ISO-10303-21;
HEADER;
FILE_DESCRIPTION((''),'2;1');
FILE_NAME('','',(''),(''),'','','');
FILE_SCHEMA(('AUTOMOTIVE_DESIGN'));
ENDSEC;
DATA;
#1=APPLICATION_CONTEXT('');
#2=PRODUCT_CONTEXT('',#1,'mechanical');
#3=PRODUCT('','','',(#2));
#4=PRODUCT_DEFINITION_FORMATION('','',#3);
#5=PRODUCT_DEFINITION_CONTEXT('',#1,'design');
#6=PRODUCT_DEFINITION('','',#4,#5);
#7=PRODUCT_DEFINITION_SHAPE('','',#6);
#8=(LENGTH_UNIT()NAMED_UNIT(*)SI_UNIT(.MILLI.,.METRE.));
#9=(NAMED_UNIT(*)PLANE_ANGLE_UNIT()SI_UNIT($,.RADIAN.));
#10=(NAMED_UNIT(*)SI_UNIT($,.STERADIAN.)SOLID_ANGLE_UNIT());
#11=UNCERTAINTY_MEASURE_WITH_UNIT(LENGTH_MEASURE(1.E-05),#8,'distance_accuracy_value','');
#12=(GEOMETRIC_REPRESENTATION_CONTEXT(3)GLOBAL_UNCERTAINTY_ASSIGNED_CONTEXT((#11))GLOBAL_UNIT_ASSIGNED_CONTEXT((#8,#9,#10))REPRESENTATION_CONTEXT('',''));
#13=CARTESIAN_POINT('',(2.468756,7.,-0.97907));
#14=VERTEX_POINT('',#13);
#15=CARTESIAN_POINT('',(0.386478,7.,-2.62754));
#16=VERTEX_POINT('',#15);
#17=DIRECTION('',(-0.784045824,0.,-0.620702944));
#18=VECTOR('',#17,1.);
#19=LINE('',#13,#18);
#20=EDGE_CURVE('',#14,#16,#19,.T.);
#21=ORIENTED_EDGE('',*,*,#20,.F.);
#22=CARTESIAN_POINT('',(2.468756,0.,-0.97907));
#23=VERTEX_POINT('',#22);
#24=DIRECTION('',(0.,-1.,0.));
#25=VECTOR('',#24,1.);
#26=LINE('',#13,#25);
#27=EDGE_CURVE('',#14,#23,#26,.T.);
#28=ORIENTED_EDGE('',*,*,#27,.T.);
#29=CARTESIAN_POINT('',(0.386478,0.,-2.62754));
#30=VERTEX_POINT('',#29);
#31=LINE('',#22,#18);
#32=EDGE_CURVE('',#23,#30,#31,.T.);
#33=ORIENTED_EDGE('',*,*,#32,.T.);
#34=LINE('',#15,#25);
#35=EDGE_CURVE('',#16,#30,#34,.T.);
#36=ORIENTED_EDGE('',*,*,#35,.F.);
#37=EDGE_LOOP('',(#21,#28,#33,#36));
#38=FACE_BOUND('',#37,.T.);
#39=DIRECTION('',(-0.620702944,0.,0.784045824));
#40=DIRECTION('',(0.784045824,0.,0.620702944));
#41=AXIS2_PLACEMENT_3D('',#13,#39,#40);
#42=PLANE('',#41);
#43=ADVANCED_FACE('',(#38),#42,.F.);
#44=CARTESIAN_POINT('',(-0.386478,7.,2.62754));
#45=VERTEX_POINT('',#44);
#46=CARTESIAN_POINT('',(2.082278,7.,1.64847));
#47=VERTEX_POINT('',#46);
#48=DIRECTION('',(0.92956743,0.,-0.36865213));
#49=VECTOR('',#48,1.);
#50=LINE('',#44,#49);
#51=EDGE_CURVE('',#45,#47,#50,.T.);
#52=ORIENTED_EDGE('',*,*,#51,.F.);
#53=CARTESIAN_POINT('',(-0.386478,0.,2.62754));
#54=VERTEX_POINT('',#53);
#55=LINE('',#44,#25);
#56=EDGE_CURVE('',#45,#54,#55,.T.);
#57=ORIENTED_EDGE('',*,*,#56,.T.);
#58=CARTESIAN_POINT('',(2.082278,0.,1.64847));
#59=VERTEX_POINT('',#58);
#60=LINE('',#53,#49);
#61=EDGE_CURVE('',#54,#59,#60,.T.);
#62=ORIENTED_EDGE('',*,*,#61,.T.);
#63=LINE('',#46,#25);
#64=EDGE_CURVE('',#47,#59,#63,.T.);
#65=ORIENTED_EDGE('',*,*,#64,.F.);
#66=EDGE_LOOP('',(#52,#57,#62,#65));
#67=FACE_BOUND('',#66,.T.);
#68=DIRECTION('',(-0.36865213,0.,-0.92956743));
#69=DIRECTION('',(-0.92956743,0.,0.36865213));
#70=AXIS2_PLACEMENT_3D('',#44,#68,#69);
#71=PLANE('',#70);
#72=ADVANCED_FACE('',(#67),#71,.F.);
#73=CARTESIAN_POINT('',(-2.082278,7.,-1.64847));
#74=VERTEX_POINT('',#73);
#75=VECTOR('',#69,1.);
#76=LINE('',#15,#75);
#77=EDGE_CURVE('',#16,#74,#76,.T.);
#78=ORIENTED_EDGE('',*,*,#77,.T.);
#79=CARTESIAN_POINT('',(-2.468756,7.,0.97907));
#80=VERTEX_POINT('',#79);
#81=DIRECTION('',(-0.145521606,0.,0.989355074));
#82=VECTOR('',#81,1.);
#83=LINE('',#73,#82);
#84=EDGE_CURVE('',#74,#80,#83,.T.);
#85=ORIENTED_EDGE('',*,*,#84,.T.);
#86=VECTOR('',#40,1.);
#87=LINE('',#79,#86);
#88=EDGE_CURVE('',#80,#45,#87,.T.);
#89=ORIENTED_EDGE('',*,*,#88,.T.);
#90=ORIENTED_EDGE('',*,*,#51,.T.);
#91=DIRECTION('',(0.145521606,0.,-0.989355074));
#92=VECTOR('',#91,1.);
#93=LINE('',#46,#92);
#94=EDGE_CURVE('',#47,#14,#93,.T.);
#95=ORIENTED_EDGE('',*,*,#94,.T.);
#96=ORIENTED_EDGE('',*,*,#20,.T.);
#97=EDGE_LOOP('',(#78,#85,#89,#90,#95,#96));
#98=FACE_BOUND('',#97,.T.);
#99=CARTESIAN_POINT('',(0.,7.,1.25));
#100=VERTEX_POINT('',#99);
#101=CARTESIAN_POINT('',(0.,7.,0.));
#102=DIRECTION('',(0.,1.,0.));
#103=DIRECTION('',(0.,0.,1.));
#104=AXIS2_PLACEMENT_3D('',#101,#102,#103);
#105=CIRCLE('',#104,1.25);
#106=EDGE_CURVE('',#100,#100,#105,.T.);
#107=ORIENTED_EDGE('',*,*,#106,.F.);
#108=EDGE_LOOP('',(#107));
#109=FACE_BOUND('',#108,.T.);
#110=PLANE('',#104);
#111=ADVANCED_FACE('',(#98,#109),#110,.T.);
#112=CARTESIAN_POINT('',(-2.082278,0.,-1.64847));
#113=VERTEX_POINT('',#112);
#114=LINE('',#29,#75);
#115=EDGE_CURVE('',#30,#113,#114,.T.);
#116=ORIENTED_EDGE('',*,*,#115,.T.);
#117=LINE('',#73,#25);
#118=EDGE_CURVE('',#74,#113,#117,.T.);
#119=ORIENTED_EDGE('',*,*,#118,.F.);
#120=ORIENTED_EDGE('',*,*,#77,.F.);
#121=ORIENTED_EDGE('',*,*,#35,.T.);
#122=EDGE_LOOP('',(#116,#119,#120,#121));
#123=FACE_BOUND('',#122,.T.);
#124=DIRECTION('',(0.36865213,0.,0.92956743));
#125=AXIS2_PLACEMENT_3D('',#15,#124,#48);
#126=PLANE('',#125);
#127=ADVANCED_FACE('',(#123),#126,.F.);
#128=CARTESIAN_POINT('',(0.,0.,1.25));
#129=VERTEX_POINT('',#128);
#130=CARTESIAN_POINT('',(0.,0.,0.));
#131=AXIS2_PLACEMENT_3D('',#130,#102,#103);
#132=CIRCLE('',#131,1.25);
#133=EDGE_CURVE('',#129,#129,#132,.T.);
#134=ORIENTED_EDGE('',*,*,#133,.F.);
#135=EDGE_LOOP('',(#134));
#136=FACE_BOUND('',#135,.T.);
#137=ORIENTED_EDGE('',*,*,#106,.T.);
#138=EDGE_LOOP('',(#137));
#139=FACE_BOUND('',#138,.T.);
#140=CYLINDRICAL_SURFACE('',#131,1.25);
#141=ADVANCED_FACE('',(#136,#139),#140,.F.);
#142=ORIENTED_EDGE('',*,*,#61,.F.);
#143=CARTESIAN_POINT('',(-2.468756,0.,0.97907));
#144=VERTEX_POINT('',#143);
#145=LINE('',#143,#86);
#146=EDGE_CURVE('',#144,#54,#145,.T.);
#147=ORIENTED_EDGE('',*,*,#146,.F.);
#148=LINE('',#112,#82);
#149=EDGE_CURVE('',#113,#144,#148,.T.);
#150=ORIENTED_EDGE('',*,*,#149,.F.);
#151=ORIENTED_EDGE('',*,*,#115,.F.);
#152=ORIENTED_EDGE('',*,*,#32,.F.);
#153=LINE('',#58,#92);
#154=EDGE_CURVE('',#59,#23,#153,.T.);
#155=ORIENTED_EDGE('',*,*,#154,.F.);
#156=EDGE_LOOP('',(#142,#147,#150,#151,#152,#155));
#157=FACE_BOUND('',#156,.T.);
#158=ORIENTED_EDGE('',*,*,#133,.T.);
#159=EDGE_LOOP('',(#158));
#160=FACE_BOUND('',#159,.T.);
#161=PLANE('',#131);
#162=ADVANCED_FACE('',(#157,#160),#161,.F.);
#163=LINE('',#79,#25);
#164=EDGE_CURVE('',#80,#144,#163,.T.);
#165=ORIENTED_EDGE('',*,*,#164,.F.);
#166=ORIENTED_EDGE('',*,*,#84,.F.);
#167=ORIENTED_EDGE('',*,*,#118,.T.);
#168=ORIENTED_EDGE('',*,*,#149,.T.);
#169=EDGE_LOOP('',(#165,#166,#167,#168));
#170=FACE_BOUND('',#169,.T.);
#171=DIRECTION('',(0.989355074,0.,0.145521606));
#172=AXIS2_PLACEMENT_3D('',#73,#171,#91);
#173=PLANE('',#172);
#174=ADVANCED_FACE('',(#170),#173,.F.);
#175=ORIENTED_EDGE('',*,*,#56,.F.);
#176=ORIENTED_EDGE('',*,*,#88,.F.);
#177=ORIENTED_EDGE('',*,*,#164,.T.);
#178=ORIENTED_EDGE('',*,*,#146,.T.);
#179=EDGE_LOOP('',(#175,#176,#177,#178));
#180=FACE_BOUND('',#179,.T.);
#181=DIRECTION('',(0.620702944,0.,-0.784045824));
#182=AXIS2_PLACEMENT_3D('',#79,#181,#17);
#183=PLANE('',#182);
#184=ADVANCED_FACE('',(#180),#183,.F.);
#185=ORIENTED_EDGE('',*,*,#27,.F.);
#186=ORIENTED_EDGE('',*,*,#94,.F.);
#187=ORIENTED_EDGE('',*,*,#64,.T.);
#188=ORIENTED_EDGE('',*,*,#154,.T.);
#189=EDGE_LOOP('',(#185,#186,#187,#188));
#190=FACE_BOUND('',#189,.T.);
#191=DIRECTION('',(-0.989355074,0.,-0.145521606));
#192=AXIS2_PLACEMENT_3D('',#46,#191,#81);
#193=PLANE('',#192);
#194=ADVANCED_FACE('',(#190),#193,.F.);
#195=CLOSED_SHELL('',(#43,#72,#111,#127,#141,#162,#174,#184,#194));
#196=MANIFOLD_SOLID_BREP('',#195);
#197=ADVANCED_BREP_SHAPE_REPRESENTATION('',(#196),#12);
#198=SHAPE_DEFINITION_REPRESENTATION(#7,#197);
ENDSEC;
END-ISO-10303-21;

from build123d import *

# Parameters (mm, degrees)
SALIENTE_EXTRUIR1_DEPTH = 7
CROQUIS_CARA_R          = 1.25
CORTAR_EXTRUIR1_DEPTH   = 7


with BuildPart() as part:
    # Croquis base → Saliente-Extruir1 (new body)
    with BuildSketch(Plane(origin=(0, 0, 0), x_dir=(1, 0, 0), z_dir=(0, 1, 0))):
        Polygon((2.082277712, -1.648469855), (2.468755628, 0.979070469), (0.386477916, 2.627540324), (-2.082277712, 1.648469855), (-2.468755628, -0.979070469), (-0.386477916, -2.627540324), align=None)
    extrude(amount=SALIENTE_EXTRUIR1_DEPTH)

    # Croquis cara → Cortar-Extruir1 (cut)
    with BuildSketch(Plane(origin=(0, 7, 0), x_dir=(1, 0, 0), z_dir=(0, 1, 0))):
        with Locations(Location((0, 0, 0), (0, 0, 270))):
            Circle(CROQUIS_CARA_R)
    extrude(amount=-CORTAR_EXTRUIR1_DEPTH, mode=Mode.SUBTRACT)


solid = part.part
